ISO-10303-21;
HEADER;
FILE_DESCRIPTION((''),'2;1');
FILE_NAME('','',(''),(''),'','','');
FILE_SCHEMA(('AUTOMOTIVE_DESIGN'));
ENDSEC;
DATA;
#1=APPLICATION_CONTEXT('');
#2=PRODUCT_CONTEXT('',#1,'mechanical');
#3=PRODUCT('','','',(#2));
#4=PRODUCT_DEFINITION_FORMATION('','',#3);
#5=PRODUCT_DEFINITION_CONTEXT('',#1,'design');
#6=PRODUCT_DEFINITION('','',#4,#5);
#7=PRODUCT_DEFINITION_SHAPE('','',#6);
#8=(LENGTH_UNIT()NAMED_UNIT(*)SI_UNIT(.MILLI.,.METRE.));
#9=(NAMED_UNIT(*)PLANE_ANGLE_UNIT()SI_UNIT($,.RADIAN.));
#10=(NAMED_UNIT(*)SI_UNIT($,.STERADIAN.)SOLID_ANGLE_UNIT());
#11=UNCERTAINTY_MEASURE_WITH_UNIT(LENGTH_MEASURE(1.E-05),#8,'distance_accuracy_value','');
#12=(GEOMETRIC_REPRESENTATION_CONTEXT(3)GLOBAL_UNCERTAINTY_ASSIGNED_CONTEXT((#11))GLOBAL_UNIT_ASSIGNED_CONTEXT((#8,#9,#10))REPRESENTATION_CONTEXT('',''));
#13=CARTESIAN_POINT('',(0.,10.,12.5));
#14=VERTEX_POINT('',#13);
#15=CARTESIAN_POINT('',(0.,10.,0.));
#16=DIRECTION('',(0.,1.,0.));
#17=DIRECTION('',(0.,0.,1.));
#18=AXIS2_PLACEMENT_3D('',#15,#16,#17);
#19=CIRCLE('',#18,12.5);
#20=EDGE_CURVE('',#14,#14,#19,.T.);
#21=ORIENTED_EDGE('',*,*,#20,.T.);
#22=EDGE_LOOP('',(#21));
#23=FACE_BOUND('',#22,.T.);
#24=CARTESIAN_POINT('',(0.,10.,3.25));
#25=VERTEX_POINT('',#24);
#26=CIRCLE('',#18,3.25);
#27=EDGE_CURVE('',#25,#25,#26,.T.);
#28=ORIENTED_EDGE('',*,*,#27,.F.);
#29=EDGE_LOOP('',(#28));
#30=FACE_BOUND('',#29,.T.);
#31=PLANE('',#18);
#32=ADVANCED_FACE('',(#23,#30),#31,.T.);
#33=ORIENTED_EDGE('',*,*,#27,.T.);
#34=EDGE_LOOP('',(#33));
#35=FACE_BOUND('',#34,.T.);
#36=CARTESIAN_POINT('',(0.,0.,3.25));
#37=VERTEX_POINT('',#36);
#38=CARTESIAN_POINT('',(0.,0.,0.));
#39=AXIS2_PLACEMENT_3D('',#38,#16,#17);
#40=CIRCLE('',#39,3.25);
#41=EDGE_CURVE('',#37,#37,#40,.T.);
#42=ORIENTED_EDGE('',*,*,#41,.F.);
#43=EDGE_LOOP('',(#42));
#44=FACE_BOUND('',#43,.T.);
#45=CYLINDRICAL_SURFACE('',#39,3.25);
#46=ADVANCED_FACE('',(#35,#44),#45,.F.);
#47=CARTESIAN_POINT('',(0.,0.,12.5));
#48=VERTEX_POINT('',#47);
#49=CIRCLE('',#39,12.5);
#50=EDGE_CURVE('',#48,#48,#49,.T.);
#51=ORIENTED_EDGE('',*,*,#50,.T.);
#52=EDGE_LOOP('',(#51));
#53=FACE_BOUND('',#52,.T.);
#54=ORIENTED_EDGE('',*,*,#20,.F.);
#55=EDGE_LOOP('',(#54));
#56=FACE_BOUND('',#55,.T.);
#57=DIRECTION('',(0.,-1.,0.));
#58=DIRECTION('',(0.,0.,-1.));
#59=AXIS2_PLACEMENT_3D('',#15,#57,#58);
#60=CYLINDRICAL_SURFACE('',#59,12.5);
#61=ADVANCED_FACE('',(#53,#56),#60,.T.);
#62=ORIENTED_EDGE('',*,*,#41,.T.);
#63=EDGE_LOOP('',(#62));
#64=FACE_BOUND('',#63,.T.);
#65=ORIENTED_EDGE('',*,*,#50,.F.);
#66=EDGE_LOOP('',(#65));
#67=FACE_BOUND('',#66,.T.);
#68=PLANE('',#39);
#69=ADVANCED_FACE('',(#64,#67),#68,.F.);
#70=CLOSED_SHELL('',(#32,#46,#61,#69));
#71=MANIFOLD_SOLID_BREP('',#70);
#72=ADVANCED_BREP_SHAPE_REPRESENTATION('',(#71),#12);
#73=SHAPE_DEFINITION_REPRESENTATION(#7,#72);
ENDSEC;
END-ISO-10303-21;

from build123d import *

# Parameters (mm, degrees)
SKETCH1_R           = 12.5
BOSS_EXTRUDE1_DEPTH = 10
SKETCH3_R           = 3.25
CUT_EXTRUDE2_DEPTH  = 11


with BuildPart() as part:
    # Sketch1 → Boss-Extrude1 (new body)
    with BuildSketch(Plane(origin=(0, 0, 0), x_dir=(1, 0, 0), z_dir=(0, 1, 0))):
        Circle(SKETCH1_R)
    extrude(amount=BOSS_EXTRUDE1_DEPTH)

    # Sketch3 → Cut-Extrude2 (cut, through all)
    with BuildSketch(Plane(origin=(0, 10, 0), x_dir=(1, 0, 0), z_dir=(0, 1, 0))):
        Circle(SKETCH3_R)
    extrude(amount=-CUT_EXTRUDE2_DEPTH, mode=Mode.SUBTRACT)


solid = part.part
